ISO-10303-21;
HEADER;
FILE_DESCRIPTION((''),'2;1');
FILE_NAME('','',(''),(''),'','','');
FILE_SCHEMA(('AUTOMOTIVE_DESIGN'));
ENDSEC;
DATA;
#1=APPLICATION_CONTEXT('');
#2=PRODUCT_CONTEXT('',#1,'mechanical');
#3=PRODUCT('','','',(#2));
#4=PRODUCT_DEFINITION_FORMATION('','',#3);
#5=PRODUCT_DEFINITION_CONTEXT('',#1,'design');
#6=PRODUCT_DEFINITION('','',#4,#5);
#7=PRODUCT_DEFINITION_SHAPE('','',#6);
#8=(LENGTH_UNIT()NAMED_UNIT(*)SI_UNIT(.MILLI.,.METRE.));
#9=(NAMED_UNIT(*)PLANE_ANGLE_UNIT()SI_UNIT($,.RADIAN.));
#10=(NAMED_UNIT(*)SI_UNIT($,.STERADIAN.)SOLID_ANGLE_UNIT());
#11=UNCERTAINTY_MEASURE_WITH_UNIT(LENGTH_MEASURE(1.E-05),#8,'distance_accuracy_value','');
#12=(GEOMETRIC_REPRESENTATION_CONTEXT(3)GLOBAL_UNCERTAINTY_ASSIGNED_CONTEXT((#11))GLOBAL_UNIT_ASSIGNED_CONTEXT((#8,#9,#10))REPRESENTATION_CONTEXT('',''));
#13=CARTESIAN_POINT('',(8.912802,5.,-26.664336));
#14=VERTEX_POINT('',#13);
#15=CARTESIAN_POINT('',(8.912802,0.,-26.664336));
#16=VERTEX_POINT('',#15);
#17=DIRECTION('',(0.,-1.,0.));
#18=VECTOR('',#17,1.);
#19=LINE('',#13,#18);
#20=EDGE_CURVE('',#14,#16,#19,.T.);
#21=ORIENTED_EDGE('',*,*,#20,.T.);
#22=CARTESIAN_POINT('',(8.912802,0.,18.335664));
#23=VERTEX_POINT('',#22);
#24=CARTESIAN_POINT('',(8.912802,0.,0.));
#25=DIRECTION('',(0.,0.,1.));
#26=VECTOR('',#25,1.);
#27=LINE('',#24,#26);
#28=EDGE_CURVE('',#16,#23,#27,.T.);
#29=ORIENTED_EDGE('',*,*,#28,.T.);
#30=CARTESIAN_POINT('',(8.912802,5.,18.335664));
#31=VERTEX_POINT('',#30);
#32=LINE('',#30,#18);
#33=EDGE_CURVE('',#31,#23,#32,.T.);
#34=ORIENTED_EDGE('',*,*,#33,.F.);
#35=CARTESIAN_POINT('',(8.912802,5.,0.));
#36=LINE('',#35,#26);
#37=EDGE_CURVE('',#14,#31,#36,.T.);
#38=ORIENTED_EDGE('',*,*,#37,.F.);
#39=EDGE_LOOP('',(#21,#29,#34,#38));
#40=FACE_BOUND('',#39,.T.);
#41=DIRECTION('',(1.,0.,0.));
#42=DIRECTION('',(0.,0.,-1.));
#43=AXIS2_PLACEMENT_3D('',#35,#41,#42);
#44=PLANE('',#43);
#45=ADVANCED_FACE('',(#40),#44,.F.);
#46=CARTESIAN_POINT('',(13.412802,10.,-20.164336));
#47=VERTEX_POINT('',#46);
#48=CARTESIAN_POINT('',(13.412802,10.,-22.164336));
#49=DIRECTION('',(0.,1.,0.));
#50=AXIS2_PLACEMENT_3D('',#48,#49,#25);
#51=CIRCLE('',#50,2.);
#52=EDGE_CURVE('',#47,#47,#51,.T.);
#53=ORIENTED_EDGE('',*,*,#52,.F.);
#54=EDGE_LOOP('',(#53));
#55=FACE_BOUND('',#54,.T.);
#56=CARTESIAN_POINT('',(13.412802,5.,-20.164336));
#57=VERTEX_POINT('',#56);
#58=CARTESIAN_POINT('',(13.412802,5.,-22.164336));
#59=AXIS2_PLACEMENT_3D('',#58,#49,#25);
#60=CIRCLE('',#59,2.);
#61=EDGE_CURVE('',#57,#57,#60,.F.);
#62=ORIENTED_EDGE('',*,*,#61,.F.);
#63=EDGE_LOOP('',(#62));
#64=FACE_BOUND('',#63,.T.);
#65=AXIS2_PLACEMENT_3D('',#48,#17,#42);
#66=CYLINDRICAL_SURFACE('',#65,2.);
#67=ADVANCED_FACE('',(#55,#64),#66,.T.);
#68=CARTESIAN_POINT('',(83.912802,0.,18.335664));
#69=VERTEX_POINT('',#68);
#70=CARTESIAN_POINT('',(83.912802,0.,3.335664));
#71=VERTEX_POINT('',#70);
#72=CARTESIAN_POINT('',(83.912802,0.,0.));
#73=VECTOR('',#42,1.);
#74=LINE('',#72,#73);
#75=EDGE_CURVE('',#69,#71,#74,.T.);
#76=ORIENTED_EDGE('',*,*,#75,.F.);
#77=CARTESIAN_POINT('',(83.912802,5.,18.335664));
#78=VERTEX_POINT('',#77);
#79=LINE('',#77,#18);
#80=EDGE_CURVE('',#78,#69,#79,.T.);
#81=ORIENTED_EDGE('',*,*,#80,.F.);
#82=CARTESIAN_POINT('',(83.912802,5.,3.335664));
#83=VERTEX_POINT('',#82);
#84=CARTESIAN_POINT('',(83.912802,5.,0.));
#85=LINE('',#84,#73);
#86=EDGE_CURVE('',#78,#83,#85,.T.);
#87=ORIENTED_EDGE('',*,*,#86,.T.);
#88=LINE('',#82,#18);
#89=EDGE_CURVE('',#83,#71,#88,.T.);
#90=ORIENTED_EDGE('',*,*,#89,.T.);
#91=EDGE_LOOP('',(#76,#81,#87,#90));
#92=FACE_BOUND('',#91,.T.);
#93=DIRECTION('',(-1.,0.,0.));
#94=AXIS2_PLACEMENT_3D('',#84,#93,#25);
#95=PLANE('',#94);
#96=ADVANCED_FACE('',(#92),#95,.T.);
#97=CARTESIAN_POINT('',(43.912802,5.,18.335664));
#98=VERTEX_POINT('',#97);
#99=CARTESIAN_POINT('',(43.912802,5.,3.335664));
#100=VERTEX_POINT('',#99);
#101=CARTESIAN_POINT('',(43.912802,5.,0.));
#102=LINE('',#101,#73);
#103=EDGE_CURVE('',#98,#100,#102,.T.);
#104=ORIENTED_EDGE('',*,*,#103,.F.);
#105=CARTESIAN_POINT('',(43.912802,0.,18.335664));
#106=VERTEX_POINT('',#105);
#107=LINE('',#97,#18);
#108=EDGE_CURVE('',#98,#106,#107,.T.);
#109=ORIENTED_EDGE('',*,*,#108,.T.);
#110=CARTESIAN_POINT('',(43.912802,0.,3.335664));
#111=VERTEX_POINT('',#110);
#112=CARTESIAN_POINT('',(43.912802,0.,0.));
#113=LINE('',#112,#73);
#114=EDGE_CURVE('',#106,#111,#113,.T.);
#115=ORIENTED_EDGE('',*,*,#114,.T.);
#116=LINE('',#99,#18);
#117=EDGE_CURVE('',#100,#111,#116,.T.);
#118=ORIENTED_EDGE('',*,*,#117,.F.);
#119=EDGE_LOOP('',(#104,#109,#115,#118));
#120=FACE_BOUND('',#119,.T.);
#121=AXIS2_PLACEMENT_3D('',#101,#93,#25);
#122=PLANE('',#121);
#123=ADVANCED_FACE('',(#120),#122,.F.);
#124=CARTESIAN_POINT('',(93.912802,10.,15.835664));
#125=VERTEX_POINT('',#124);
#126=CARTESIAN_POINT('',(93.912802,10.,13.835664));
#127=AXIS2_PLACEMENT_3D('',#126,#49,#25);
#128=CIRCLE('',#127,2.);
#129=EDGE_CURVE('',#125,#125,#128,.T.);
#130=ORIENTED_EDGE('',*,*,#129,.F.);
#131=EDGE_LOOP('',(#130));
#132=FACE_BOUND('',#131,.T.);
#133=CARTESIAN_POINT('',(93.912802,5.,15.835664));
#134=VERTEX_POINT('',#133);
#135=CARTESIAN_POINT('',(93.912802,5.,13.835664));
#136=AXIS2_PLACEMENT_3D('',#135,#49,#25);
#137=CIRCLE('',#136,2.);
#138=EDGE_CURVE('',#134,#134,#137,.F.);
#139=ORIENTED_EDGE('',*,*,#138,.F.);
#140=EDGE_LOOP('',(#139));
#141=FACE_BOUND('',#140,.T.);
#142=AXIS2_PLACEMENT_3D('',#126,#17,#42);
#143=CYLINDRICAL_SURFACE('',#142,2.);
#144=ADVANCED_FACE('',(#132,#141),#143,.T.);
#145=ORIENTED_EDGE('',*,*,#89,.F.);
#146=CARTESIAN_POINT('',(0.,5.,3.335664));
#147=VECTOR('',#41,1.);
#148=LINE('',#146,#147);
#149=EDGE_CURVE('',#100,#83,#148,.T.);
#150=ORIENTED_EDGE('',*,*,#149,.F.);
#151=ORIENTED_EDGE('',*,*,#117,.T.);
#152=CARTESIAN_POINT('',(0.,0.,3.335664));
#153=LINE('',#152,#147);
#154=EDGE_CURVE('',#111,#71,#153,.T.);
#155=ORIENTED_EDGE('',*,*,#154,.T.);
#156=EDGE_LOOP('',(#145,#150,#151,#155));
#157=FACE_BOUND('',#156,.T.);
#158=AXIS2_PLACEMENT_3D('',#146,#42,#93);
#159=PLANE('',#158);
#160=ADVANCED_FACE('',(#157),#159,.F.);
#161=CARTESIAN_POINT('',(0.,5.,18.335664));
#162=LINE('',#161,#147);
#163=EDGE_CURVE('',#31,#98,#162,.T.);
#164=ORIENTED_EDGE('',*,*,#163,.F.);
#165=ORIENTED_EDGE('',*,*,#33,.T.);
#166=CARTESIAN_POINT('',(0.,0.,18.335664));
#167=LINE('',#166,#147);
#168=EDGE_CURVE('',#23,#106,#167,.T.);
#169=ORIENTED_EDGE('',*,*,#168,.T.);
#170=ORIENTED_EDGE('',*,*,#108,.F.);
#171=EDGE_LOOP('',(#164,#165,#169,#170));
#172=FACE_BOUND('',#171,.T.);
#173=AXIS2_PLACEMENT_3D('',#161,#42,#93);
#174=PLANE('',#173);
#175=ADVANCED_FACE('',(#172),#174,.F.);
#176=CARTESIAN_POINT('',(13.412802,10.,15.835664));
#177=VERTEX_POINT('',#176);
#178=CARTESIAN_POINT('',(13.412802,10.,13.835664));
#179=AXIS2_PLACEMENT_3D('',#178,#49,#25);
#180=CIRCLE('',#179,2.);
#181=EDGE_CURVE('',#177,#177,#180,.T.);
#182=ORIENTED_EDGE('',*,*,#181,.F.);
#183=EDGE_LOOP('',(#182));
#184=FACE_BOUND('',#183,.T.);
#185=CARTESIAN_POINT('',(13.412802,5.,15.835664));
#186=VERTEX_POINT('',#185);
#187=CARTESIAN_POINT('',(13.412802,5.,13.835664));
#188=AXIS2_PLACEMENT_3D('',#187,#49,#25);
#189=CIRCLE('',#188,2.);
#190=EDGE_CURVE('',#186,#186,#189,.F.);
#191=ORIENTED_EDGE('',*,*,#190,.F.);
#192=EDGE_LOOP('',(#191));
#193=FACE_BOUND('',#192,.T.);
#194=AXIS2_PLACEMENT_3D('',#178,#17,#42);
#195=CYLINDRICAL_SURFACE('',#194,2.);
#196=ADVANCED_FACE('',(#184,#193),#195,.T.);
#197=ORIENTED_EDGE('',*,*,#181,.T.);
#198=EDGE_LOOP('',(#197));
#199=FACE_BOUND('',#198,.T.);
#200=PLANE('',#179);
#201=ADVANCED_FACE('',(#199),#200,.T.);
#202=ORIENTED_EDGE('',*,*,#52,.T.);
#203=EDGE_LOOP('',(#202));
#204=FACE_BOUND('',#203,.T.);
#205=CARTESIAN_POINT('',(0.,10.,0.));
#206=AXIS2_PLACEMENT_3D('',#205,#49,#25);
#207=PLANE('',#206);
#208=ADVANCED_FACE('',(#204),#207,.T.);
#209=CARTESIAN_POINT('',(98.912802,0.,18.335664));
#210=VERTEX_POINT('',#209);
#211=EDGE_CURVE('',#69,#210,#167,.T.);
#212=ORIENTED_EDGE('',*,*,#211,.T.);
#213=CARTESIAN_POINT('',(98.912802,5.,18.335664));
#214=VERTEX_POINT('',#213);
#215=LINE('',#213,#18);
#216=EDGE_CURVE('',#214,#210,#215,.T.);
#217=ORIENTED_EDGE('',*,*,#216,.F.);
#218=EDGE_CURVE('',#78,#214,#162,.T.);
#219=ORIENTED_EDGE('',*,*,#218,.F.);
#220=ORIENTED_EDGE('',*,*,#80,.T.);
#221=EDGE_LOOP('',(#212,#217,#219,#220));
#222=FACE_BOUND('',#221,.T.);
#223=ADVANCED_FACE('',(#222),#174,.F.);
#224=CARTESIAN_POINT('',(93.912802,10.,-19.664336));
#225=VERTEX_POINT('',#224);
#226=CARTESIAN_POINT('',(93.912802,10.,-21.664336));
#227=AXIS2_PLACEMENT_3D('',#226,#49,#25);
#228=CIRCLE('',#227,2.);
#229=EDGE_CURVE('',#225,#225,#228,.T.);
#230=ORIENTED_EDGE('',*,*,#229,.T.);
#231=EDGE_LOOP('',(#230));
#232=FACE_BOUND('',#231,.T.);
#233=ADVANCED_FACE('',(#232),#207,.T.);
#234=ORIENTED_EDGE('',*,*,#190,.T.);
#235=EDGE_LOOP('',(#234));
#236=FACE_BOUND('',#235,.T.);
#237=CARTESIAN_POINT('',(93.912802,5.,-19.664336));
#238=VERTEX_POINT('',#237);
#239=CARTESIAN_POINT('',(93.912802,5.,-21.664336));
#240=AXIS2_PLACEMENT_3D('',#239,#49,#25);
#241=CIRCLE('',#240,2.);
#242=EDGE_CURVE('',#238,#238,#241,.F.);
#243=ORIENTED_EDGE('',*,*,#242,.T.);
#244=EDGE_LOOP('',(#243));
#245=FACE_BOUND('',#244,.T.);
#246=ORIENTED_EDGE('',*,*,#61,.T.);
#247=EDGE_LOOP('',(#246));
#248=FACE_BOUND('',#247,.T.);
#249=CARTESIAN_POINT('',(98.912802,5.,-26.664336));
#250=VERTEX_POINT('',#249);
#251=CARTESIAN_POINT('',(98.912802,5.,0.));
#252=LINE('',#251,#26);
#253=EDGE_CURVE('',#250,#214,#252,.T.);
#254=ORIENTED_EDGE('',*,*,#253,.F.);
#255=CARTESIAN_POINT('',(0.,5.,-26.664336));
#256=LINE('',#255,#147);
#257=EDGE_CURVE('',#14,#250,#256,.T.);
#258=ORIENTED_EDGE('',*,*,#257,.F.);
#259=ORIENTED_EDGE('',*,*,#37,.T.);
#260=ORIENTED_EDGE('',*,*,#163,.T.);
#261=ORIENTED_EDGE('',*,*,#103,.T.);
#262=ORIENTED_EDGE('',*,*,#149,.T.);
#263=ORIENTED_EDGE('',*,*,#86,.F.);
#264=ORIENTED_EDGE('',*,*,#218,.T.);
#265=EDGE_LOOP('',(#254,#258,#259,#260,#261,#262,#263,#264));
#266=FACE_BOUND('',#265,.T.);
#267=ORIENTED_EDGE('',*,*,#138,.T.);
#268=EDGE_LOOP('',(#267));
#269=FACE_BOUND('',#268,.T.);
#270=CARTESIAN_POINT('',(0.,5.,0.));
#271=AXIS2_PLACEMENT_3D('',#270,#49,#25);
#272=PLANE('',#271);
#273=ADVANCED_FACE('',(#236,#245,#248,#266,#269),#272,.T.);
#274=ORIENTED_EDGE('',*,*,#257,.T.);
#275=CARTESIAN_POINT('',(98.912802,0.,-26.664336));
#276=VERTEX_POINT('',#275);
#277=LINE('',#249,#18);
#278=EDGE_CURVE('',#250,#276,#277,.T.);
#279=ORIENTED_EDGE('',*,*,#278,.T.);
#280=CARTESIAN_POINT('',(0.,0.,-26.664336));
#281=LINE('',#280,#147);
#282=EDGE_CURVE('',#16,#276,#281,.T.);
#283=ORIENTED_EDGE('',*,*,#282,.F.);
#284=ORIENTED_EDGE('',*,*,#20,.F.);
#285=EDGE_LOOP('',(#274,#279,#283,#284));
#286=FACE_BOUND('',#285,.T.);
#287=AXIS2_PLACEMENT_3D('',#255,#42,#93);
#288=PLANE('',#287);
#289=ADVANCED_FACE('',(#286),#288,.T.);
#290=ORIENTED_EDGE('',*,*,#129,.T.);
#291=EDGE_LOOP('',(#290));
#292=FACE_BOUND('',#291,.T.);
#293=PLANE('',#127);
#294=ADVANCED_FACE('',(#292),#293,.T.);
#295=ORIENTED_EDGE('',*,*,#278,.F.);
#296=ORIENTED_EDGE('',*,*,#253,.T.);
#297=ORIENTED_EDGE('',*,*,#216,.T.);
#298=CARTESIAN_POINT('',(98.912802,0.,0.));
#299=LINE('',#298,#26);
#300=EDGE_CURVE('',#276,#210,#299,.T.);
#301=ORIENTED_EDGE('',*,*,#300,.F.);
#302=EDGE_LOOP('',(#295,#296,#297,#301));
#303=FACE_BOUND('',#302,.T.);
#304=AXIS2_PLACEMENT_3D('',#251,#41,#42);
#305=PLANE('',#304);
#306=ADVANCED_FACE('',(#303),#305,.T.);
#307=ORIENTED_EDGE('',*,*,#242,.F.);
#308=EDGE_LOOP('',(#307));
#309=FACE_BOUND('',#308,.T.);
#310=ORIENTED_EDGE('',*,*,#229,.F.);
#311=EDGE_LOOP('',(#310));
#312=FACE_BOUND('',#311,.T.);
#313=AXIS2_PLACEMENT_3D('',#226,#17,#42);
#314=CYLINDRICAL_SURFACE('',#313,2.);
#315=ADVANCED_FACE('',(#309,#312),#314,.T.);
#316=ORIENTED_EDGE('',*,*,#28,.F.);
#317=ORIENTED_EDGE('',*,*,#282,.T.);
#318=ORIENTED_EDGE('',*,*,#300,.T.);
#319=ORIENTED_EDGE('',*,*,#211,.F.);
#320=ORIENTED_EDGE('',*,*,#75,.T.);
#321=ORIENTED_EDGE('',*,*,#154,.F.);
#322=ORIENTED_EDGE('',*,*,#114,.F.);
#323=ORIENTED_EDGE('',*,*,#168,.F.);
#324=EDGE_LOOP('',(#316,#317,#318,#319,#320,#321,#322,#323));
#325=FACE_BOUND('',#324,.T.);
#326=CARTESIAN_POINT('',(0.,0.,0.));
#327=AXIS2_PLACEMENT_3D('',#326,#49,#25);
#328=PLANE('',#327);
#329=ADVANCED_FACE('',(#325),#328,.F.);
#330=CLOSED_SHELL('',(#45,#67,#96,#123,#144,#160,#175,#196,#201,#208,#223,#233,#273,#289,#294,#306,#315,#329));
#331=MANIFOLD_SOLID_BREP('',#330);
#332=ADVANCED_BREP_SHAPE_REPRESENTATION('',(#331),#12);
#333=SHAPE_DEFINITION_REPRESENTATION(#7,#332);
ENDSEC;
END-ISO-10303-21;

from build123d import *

# Parameters (mm, degrees)
BOSS_EXTRUDE9_DEPTH  = 5
SKETCH6_3_R          = 2
BOSS_EXTRUDE10_DEPTH = 10


with BuildPart() as part:
    # Sketch6 → Boss-Extrude9 (new body)
    with BuildSketch(Plane(origin=(0, 0, 0), x_dir=(1, 0, 0), z_dir=(0, 1, 0))):
        Polygon((98.912801806, 26.664335605), (8.912801806, 26.664335605), (8.912801806, -18.335664395), (43.912801806, -18.335664395), (43.912801806, -3.335664395), (83.912801806, -3.335664395), (83.912801806, -18.335664395), (98.912801806, -18.335664395), align=None)
    extrude(amount=BOSS_EXTRUDE9_DEPTH)

    # Sketch6<3> → Boss-Extrude10 (add)
    with BuildSketch(Plane(origin=(0, 0, 0), x_dir=(1, 0, 0), z_dir=(0, 1, 0))):
        with Locations((13.412801806, 22.164335605)):
            Circle(SKETCH6_3_R)
        with Locations((13.412801806, -13.835664395)):
            Circle(SKETCH6_3_R)
        with Locations((93.912801806, -13.835664395)):
            Circle(SKETCH6_3_R)
        with Locations((93.912801806, 21.664335605)):
            Circle(SKETCH6_3_R)
    extrude(amount=BOSS_EXTRUDE10_DEPTH)


solid = part.part
